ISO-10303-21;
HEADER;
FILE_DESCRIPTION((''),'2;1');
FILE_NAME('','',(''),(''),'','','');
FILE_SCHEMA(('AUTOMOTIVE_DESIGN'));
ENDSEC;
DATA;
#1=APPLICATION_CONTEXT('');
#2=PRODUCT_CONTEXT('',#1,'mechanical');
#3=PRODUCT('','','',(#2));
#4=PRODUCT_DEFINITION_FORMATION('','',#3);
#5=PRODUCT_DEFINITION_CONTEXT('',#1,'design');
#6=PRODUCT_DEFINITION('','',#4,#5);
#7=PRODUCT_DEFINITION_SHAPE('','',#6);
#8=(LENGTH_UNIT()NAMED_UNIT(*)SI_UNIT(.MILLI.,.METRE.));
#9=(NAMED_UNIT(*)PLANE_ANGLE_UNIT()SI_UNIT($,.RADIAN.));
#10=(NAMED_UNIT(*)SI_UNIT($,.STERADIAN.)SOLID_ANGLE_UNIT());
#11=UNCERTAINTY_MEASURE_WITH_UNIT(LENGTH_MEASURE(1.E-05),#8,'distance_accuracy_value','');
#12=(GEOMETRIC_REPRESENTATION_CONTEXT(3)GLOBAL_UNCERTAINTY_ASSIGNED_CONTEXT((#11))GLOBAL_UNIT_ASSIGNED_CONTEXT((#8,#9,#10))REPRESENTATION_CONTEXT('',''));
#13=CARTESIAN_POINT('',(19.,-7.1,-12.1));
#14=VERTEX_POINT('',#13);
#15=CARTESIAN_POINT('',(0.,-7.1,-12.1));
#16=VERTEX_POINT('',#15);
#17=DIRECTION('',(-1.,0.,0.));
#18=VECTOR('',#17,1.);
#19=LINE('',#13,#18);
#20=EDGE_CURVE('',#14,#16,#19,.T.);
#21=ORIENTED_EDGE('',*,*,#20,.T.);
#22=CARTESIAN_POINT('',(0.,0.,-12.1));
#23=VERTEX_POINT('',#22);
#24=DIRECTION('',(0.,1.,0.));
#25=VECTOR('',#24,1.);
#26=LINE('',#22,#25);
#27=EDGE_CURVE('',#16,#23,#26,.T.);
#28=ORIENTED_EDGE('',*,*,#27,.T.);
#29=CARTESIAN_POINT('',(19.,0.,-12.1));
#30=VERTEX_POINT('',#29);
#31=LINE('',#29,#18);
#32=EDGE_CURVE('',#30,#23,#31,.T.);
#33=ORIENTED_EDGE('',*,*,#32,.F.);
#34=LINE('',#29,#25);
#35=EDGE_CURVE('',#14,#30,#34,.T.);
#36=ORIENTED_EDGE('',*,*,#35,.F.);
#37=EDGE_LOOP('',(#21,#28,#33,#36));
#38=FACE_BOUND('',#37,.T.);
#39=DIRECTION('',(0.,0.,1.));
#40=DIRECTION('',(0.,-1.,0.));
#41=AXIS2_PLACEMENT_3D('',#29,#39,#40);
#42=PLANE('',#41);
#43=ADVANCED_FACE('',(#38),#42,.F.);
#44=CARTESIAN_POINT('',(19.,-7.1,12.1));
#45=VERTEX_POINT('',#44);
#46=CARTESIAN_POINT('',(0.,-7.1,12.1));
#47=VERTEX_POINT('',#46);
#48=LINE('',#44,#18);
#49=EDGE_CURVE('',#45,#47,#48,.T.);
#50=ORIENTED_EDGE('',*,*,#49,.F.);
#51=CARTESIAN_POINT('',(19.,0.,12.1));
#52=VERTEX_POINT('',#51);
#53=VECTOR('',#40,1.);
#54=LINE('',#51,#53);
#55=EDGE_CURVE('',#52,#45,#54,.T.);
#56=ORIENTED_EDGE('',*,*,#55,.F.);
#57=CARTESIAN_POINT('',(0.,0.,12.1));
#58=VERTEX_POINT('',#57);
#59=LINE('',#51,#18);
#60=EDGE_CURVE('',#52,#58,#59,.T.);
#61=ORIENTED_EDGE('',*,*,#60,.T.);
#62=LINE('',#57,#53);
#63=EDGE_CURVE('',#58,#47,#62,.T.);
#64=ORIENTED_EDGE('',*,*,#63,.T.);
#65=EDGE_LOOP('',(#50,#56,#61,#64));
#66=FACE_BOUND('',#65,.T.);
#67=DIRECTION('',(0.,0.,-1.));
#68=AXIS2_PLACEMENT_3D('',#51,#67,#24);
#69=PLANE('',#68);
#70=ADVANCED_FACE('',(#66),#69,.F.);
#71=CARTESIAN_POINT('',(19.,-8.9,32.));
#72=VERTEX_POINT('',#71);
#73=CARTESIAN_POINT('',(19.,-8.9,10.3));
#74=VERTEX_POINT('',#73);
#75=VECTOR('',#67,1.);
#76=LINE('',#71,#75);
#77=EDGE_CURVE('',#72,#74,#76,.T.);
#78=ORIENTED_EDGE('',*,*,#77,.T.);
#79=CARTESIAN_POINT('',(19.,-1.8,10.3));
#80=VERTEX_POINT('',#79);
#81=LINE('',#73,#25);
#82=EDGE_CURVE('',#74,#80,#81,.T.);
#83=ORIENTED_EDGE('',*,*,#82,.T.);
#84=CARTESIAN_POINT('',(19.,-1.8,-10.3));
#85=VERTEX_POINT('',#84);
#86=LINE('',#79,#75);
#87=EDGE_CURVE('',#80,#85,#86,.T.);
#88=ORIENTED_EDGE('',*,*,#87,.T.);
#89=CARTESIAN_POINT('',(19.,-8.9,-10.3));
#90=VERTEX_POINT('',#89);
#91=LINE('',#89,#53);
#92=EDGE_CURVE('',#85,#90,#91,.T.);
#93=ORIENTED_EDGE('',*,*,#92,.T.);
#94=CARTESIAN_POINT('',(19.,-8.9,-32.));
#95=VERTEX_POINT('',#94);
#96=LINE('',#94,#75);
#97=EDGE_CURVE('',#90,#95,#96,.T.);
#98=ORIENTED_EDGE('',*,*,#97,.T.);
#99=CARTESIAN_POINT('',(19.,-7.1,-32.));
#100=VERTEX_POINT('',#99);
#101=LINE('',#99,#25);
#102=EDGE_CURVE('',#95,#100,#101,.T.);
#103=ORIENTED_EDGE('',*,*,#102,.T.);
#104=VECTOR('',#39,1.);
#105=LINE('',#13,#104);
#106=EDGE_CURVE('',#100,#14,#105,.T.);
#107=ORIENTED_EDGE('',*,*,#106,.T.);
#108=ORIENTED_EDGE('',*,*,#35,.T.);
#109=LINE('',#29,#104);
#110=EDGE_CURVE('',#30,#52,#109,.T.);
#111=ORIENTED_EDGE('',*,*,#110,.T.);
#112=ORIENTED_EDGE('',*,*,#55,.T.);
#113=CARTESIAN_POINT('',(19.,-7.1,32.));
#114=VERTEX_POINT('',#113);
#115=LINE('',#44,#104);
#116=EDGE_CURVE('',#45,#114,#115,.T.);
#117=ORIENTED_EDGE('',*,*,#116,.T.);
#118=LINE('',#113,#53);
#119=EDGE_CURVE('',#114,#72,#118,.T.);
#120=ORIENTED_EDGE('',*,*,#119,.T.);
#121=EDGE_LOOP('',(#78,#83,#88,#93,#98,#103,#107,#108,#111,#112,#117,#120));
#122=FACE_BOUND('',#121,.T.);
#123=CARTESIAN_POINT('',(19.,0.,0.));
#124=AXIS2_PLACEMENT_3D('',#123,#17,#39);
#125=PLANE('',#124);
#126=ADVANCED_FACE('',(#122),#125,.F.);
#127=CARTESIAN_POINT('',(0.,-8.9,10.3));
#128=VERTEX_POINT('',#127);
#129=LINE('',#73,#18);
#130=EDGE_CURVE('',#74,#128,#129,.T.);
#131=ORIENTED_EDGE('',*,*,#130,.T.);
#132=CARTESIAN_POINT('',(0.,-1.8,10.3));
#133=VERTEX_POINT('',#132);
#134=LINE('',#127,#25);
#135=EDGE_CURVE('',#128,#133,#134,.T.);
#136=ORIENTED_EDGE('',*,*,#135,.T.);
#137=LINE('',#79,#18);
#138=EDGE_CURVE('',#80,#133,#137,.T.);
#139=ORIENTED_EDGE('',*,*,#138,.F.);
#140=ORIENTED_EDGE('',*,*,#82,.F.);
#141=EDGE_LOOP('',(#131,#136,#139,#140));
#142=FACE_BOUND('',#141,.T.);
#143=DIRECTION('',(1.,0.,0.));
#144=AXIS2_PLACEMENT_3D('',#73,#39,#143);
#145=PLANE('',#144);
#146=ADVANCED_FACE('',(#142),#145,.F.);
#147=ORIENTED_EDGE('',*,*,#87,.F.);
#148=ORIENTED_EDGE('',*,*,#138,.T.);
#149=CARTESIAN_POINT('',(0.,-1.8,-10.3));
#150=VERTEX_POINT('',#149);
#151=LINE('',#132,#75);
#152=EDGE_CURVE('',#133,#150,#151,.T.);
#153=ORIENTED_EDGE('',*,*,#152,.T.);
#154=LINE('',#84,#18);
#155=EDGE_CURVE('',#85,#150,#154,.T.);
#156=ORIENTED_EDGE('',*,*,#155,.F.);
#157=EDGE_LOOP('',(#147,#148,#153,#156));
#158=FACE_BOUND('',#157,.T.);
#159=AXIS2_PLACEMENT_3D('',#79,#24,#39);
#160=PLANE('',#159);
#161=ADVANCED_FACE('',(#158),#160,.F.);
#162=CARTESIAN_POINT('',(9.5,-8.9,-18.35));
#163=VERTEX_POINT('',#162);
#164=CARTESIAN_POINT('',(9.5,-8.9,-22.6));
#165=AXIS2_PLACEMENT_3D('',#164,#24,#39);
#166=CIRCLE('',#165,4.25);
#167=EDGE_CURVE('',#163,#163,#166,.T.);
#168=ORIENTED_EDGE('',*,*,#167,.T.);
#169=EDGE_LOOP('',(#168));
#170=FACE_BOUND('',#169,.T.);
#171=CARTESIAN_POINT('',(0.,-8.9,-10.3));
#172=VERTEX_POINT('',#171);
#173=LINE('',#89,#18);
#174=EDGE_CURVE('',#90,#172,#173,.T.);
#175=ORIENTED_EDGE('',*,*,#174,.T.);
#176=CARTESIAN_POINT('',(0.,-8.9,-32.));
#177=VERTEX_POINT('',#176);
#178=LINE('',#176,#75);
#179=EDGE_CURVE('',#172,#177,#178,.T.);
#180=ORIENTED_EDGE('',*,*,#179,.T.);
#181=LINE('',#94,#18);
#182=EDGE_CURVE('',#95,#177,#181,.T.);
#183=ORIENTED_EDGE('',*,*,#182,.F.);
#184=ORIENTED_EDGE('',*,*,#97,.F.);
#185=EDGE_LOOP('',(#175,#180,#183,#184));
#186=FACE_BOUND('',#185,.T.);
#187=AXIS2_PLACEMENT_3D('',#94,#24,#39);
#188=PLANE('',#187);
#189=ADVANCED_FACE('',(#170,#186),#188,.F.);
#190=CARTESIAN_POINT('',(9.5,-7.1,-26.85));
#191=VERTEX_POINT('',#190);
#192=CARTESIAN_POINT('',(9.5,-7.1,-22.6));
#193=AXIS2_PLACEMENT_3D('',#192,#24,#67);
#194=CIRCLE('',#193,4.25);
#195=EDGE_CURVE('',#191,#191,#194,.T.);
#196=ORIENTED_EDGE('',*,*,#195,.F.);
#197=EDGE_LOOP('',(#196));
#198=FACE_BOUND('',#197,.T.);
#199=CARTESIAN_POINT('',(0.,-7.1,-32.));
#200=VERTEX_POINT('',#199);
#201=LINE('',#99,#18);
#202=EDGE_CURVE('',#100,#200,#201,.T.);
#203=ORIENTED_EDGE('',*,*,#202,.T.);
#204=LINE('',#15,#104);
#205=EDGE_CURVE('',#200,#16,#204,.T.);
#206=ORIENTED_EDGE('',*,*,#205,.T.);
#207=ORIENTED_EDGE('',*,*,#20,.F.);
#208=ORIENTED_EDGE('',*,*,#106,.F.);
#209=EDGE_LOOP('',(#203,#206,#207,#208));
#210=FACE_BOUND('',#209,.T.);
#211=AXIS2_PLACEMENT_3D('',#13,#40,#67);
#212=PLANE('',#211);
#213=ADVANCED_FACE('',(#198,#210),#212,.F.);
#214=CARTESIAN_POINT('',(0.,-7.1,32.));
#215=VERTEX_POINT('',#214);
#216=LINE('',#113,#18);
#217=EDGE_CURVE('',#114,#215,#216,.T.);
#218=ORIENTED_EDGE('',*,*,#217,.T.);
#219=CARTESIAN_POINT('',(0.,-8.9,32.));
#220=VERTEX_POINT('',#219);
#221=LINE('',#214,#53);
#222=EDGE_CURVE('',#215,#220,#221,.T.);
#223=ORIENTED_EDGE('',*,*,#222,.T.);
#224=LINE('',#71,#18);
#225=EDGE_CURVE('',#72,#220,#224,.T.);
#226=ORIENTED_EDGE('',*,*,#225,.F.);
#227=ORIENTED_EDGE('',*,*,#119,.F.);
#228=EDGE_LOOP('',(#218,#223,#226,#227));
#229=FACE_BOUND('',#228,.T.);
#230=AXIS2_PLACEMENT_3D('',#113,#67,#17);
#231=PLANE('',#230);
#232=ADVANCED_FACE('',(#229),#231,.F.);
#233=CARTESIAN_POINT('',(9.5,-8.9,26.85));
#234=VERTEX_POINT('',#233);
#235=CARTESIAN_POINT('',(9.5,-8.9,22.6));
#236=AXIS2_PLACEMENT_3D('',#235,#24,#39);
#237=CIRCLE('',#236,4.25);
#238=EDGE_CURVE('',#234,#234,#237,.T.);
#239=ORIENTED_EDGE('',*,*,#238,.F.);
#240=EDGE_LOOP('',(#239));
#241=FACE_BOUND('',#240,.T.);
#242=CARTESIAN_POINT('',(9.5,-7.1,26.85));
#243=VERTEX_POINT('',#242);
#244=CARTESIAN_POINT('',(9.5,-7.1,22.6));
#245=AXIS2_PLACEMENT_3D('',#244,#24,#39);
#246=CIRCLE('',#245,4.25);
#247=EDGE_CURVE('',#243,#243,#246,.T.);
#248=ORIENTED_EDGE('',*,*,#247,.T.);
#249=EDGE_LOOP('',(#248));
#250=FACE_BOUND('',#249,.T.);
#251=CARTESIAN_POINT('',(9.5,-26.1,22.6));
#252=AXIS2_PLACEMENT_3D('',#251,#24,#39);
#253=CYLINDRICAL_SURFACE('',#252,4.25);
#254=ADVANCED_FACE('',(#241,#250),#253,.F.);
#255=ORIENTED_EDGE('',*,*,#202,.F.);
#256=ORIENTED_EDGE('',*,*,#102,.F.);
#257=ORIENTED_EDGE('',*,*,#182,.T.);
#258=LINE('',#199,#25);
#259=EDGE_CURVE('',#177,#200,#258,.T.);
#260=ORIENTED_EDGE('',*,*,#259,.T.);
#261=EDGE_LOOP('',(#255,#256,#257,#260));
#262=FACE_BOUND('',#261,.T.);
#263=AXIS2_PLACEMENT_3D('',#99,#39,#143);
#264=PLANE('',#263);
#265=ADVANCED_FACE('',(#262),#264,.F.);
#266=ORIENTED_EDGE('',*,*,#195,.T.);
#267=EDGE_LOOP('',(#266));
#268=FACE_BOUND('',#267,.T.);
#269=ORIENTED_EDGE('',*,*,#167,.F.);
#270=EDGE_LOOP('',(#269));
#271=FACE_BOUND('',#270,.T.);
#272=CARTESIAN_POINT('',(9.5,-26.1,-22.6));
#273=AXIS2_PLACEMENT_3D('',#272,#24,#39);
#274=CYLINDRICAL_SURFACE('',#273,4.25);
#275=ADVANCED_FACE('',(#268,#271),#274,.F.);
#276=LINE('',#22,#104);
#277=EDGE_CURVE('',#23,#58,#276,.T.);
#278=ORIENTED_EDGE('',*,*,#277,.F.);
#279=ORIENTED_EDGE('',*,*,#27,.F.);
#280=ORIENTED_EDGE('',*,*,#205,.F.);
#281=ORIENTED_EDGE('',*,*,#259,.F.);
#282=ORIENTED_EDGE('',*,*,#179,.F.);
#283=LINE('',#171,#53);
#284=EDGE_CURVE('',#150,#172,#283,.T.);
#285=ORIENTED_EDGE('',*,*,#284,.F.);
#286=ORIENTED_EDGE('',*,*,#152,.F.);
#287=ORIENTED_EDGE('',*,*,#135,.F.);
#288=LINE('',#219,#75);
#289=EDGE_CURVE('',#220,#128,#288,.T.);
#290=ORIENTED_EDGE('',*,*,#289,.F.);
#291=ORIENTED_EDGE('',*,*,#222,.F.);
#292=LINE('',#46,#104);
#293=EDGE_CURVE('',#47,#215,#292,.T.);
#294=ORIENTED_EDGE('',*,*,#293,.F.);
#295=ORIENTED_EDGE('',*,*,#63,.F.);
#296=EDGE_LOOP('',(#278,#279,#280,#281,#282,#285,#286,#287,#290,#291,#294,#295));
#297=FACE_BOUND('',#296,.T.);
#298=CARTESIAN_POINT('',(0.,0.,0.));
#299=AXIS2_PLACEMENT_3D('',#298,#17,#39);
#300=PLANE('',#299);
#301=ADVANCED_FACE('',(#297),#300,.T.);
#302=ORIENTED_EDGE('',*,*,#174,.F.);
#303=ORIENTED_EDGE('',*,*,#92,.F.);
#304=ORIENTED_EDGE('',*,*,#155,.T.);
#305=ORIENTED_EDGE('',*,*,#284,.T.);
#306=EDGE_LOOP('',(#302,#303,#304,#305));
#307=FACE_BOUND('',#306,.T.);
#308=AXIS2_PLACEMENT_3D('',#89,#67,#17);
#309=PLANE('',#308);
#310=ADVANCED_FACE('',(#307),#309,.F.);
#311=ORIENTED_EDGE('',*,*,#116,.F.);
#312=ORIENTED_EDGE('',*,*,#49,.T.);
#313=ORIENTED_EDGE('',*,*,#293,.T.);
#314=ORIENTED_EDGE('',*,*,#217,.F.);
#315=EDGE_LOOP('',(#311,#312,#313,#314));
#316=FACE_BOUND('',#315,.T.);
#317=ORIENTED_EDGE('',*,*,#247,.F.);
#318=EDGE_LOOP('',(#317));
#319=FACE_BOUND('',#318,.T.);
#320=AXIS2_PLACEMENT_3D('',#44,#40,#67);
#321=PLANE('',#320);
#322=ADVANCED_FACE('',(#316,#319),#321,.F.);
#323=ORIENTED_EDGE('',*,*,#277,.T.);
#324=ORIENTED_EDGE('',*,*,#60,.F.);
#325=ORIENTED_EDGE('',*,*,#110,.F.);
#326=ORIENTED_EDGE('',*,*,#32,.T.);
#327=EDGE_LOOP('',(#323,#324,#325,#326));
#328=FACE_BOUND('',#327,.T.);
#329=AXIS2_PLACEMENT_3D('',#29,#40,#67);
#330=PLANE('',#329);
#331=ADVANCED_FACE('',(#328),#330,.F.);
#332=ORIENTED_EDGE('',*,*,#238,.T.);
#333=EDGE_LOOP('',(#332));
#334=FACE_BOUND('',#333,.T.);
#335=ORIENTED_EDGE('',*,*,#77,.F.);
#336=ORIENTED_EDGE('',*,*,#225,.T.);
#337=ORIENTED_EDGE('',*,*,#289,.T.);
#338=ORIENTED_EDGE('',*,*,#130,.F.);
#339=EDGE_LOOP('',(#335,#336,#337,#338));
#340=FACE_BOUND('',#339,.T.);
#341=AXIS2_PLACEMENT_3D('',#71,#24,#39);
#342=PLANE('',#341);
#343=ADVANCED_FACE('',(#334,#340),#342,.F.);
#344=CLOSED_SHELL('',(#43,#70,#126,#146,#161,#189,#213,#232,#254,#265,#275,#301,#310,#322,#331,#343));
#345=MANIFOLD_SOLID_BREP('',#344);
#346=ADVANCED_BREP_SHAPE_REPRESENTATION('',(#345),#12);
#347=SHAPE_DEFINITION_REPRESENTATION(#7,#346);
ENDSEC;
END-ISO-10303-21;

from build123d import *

# Parameters (mm, degrees)
EXTRUDE_5_DEPTH     = 19
SKETCH_6_R          = 4.25
CUT_EXTRUDE_1_DEPTH = 19


with BuildPart() as part:
    # 草图5 → 凸台-拉伸5 (new body)
    with BuildSketch(Plane(origin=(0, 0, 0), x_dir=(0, 0, -1), z_dir=(1, 0, 0))):
        Polygon((12.1, 0), (-12.1, 0), (-12.1, -7.1), (-32, -7.1), (-32, -8.9), (-10.3, -8.9), (-10.3, -1.8), (10.3, -1.8), (10.3, -8.9), (32, -8.9), (32, -7.1), (12.1, -7.1), align=None)
    extrude(amount=EXTRUDE_5_DEPTH)

    # 草图6 → 切除-拉伸1 (cut)
    with BuildSketch(Plane(origin=(0, -7.1, 0), x_dir=(1, 0, 0), z_dir=(0, 1, 0))):
        with Locations(Location((9.5, -22.6, 0), (0, 0, 270))):
            Circle(SKETCH_6_R)
        with Locations(Location((9.5, 22.6, 0), (0, 0, 270))):
            Circle(SKETCH_6_R)
    extrude(amount=-CUT_EXTRUDE_1_DEPTH, mode=Mode.SUBTRACT)


solid = part.part
